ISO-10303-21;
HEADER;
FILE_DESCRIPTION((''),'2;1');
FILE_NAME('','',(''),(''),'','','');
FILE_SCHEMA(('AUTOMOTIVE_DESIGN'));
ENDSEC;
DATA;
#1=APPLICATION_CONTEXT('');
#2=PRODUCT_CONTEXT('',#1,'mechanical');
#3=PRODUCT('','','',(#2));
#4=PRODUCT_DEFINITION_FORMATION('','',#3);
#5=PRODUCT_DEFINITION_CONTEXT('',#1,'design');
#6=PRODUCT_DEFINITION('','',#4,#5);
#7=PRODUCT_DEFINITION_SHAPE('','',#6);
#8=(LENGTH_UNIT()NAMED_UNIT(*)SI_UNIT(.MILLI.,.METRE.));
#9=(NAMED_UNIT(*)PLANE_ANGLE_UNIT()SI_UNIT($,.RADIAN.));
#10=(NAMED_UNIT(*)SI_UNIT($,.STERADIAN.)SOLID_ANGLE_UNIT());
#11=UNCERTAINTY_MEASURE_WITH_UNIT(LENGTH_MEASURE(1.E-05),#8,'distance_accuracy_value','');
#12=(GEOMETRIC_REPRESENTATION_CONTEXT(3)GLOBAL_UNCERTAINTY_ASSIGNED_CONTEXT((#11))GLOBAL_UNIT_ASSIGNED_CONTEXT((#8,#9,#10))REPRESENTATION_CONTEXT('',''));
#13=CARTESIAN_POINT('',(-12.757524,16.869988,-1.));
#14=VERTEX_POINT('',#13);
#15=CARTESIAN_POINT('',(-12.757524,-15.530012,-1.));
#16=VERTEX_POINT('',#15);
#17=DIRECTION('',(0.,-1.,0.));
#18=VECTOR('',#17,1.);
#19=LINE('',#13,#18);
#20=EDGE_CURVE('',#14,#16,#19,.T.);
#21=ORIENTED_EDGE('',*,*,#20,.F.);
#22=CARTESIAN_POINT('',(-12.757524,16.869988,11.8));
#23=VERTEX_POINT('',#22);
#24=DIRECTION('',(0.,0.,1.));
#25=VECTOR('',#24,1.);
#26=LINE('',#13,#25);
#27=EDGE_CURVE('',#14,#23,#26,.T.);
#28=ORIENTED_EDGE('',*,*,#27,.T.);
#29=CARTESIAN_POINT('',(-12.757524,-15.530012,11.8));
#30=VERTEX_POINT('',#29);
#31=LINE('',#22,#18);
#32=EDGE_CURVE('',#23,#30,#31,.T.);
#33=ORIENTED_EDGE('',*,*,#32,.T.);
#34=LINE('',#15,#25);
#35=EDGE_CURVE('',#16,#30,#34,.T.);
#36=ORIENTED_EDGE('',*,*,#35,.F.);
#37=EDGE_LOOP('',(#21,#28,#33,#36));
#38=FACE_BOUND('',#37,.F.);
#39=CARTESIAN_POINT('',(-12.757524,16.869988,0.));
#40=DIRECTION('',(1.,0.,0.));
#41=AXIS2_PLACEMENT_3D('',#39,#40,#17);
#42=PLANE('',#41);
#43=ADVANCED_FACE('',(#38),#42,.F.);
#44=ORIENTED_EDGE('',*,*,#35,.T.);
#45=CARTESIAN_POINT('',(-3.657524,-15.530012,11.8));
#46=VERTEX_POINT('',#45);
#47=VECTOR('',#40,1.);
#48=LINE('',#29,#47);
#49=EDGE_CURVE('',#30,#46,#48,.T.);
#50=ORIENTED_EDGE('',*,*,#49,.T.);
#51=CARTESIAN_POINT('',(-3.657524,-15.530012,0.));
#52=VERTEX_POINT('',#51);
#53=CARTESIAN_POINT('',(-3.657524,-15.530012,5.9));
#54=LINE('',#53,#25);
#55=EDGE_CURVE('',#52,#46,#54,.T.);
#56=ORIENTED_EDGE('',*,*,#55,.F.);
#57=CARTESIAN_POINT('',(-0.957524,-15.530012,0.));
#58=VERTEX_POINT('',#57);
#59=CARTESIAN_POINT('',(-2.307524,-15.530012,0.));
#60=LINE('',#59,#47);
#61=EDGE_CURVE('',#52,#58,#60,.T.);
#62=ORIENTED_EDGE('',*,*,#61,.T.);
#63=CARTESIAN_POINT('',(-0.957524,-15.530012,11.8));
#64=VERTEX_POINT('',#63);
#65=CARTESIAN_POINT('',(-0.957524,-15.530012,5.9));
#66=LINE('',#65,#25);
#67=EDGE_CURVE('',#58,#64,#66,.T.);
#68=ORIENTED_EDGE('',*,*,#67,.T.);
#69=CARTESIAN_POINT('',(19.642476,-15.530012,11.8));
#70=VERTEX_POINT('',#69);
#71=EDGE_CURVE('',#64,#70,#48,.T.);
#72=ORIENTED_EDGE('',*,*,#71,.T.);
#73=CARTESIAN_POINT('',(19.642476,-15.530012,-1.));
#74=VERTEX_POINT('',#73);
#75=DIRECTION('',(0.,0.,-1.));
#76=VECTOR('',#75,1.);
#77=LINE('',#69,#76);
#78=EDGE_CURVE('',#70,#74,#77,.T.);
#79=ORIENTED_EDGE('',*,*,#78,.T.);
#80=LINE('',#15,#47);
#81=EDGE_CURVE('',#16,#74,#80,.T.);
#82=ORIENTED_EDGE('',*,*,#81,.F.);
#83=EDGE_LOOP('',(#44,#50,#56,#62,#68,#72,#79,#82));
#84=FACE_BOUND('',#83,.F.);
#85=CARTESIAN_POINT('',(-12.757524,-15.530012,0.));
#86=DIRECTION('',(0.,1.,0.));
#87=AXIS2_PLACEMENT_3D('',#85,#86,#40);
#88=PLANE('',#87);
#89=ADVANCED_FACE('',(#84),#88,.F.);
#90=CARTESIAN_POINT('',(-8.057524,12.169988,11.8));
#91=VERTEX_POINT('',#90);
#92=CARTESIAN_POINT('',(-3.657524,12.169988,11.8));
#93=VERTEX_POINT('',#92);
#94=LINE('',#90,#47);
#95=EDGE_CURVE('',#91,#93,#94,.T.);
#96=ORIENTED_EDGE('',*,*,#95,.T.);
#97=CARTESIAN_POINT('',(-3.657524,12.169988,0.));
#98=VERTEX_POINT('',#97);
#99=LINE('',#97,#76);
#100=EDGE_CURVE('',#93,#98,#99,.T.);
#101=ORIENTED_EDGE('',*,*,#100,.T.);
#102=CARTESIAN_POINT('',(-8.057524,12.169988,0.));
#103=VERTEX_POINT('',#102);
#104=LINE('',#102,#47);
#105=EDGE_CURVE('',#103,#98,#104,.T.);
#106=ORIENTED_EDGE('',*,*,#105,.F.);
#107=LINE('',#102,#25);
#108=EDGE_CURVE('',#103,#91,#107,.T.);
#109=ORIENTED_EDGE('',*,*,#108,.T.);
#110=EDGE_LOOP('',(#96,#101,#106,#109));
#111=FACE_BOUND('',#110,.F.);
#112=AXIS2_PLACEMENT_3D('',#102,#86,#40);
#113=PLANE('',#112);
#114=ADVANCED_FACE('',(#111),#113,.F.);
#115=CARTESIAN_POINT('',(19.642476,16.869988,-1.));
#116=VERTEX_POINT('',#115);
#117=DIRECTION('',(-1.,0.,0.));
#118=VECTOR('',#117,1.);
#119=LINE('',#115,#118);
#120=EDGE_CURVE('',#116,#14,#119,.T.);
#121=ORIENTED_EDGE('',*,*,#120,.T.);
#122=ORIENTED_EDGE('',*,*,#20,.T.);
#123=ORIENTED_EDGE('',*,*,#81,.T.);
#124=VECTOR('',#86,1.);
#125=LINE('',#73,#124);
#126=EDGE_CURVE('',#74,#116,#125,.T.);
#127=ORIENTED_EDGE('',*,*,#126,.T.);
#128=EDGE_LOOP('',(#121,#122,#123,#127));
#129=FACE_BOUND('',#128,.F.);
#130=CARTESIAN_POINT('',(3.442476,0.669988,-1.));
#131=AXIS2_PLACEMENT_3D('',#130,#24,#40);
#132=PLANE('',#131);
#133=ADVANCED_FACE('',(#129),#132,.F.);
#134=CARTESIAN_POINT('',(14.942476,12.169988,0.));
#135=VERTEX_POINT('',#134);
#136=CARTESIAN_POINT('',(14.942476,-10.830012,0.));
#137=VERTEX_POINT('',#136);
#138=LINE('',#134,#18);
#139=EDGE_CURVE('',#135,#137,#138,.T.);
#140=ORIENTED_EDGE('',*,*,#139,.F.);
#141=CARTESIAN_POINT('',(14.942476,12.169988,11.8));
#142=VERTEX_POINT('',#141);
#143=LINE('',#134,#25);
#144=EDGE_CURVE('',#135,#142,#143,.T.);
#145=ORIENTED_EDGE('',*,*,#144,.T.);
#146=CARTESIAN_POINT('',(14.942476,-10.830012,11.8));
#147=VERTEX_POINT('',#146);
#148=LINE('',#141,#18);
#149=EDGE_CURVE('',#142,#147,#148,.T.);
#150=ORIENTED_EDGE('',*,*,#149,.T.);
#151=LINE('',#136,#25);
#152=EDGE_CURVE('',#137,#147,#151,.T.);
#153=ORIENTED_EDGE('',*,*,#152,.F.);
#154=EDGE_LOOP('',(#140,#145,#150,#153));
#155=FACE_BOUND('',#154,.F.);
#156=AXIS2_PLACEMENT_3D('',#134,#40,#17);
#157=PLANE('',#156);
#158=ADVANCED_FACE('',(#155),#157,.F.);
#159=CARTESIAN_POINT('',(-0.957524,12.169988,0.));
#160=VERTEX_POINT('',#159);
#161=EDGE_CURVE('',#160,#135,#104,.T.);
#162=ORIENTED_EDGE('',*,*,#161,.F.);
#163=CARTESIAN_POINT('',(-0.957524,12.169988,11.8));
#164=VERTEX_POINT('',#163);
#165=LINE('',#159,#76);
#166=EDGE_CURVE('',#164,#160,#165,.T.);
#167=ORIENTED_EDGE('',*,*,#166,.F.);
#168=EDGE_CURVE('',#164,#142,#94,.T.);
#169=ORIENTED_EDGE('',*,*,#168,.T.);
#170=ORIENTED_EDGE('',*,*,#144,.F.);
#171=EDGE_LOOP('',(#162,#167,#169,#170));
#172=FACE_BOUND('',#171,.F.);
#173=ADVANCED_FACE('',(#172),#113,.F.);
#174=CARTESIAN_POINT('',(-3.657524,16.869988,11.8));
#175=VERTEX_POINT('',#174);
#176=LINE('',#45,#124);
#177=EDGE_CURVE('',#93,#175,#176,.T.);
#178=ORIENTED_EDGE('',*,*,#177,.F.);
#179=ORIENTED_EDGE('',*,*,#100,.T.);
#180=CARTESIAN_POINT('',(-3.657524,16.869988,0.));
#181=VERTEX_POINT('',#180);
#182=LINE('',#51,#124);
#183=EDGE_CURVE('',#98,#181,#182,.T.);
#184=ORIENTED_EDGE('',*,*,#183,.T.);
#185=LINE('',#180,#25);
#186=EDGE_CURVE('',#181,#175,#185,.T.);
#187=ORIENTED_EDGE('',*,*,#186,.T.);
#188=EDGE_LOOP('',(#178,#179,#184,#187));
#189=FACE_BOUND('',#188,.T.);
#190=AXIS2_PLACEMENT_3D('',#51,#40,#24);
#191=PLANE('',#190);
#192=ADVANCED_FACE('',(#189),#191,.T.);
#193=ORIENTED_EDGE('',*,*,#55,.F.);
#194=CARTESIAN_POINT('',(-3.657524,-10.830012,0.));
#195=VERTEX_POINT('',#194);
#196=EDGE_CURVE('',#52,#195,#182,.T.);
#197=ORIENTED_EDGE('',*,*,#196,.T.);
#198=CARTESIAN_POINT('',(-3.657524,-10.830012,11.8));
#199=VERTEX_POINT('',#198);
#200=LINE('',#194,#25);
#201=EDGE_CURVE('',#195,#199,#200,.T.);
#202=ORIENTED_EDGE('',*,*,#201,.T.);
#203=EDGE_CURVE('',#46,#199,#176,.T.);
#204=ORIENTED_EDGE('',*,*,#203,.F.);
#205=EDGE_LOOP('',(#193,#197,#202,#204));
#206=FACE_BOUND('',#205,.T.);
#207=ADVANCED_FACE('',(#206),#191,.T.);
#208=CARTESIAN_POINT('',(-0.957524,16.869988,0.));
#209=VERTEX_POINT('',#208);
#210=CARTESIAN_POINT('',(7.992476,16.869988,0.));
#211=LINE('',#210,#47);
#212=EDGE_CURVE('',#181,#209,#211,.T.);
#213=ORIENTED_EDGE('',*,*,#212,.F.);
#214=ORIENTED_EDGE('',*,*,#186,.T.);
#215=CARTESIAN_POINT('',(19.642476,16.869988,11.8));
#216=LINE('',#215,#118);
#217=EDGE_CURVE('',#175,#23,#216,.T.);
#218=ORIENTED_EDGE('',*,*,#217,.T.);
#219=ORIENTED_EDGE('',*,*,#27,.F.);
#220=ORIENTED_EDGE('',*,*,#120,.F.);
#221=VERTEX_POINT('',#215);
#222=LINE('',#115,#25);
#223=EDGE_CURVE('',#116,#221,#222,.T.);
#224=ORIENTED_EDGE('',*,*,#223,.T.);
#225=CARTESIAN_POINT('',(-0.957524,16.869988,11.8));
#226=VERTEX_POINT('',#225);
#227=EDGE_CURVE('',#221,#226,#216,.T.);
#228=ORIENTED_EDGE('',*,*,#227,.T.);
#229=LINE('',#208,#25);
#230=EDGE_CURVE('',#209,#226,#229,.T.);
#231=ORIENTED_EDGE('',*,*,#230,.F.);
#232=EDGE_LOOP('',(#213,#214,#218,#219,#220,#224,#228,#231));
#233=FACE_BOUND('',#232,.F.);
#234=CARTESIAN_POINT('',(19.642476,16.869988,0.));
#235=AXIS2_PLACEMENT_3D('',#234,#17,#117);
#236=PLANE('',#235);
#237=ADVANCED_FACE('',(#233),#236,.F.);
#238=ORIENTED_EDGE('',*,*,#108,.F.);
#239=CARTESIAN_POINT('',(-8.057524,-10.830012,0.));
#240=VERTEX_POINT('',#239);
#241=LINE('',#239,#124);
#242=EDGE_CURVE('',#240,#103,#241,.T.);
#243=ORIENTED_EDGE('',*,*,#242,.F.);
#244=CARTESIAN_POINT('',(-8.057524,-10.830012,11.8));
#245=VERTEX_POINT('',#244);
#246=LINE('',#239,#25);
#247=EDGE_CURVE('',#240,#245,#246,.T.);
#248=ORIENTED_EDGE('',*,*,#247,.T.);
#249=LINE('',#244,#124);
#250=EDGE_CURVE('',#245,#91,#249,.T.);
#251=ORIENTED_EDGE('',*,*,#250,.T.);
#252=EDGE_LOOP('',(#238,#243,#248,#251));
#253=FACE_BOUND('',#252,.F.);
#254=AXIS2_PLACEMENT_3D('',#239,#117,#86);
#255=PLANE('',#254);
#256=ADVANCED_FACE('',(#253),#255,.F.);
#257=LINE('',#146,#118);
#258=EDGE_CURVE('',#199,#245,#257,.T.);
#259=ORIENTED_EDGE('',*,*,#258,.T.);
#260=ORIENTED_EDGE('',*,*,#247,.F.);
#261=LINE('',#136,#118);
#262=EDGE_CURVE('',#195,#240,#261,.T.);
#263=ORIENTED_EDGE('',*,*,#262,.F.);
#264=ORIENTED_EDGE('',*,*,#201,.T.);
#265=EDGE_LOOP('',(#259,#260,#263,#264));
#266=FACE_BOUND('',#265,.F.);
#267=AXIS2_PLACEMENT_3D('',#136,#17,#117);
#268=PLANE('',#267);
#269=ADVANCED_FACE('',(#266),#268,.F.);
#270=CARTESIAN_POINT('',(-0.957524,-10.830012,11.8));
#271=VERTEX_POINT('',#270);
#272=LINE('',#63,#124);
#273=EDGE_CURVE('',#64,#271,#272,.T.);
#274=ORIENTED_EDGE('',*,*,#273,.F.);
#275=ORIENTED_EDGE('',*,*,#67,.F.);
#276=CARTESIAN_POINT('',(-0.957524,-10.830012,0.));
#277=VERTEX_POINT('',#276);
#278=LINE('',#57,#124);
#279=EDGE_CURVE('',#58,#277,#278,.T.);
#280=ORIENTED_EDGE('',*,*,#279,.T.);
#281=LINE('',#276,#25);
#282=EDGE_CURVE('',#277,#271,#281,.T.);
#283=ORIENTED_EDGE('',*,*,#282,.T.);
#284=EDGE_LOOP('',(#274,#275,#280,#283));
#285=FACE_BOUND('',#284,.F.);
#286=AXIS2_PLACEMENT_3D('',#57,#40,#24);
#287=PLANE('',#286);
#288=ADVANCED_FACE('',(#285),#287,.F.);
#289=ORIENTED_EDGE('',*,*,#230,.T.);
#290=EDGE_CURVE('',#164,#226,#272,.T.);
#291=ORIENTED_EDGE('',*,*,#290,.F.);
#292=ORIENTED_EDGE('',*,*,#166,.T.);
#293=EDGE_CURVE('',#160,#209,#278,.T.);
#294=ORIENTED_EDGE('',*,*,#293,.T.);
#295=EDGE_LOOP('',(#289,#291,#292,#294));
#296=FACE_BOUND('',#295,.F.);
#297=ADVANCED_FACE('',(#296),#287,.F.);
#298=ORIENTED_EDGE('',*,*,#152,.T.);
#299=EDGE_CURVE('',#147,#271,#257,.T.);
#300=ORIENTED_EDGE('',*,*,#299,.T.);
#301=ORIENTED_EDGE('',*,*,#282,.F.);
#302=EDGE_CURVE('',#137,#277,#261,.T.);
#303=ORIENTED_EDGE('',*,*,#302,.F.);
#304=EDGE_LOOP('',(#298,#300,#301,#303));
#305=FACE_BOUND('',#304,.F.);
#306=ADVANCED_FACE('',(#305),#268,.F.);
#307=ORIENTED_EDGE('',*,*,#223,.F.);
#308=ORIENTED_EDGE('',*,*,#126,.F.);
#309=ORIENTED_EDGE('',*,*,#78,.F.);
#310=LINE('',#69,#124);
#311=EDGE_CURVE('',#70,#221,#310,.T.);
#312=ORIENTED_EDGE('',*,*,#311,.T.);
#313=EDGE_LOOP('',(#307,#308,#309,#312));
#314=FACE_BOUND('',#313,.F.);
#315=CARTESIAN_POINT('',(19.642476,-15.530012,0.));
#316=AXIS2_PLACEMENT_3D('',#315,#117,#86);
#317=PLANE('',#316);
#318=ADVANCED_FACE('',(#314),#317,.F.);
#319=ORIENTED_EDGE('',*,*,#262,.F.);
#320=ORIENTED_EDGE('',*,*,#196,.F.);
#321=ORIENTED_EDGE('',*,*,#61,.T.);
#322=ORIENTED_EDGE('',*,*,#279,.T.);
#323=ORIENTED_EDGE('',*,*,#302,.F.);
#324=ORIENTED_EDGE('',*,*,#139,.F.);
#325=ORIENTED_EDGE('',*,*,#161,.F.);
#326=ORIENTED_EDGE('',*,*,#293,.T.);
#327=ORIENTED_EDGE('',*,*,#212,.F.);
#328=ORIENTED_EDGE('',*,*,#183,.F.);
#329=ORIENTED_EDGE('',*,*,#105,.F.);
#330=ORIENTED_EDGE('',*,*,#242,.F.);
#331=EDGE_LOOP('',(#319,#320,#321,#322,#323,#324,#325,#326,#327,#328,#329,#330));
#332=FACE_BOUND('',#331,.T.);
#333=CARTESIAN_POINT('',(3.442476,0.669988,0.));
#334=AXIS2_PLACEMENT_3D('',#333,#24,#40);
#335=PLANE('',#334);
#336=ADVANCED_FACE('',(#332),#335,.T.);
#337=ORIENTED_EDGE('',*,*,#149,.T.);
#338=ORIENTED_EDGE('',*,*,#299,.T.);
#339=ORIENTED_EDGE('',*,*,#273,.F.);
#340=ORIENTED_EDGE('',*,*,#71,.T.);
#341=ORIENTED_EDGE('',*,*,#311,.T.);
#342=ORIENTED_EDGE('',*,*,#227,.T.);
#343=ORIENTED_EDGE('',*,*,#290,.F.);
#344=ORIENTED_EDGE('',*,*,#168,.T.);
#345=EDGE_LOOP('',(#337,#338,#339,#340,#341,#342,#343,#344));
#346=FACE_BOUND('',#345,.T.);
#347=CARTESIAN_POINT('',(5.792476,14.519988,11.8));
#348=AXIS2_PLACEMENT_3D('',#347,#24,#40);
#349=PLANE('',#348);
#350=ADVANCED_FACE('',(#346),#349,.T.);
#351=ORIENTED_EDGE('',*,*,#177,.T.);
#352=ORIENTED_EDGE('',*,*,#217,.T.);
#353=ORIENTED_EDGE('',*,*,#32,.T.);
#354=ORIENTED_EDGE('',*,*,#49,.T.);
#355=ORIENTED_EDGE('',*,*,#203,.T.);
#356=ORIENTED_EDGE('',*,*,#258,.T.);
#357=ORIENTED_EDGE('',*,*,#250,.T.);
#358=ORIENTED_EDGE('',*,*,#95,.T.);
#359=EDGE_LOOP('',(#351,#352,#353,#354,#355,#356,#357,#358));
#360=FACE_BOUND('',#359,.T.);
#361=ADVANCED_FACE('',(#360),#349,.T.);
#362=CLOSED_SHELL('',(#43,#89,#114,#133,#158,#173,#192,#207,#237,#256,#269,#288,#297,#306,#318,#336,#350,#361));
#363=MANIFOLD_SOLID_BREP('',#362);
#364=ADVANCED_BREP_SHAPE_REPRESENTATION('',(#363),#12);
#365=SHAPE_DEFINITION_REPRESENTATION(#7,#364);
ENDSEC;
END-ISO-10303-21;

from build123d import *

# Parameters (mm, degrees)
F0_W     = 23
F0_H     = 23
F1_DEPTH = 1
F2_DEPTH = 11.8
F3_W     = 2.7
F3_H     = 11.8
F4_DEPTH = 32.401


with BuildPart() as f1:
    # F0 (on Top) → F1 (new body)
    with BuildSketch(Plane.XY):
        with Locations((3.442476, 0.669988)):
            Rectangle(F0_W, F0_H)
        Polygon((14.942476, -10.830012), (-8.057524, -10.830012), (-12.757524, -10.830012), (-12.757524, -15.530012), (14.942476, -15.530012), align=None)
        Polygon((-8.057524, -10.830012), (-8.057524, 12.169988), (-8.057524, 16.869988), (-12.757524, 16.869988), (-12.757524, -10.830012), align=None)
        Polygon((-8.057524, 16.869988), (-8.057524, 12.169988), (14.942476, 12.169988), (19.642476, 12.169988), (19.642476, 16.869988), align=None)
        Polygon((19.642476, 12.169988), (14.942476, 12.169988), (14.942476, -10.830012), (14.942476, -15.530012), (19.642476, -15.530012), align=None)
    extrude(amount=-F1_DEPTH)

    # F0 (on Top) → F2 (join)
    with BuildSketch(Plane.XY):
        Polygon((-8.057524, 16.869988), (-8.057524, 12.169988), (14.942476, 12.169988), (19.642476, 12.169988), (19.642476, 16.869988), align=None)
        Polygon((-8.057524, -10.830012), (-8.057524, 12.169988), (-8.057524, 16.869988), (-12.757524, 16.869988), (-12.757524, -10.830012), align=None)
        Polygon((19.642476, 12.169988), (14.942476, 12.169988), (14.942476, -10.830012), (14.942476, -15.530012), (19.642476, -15.530012), align=None)
        Polygon((14.942476, -10.830012), (-8.057524, -10.830012), (-12.757524, -10.830012), (-12.757524, -15.530012), (14.942476, -15.530012), align=None)
    extrude(amount=F2_DEPTH)

    # F3 (on face) → F4 (cut, through all)
    with BuildSketch(Plane.XZ.offset(15.530012)):
        with Locations((-2.307524, 5.9)):
            Rectangle(F3_W, F3_H)
    extrude(amount=-F4_DEPTH, mode=Mode.SUBTRACT)


solid = f1.part
